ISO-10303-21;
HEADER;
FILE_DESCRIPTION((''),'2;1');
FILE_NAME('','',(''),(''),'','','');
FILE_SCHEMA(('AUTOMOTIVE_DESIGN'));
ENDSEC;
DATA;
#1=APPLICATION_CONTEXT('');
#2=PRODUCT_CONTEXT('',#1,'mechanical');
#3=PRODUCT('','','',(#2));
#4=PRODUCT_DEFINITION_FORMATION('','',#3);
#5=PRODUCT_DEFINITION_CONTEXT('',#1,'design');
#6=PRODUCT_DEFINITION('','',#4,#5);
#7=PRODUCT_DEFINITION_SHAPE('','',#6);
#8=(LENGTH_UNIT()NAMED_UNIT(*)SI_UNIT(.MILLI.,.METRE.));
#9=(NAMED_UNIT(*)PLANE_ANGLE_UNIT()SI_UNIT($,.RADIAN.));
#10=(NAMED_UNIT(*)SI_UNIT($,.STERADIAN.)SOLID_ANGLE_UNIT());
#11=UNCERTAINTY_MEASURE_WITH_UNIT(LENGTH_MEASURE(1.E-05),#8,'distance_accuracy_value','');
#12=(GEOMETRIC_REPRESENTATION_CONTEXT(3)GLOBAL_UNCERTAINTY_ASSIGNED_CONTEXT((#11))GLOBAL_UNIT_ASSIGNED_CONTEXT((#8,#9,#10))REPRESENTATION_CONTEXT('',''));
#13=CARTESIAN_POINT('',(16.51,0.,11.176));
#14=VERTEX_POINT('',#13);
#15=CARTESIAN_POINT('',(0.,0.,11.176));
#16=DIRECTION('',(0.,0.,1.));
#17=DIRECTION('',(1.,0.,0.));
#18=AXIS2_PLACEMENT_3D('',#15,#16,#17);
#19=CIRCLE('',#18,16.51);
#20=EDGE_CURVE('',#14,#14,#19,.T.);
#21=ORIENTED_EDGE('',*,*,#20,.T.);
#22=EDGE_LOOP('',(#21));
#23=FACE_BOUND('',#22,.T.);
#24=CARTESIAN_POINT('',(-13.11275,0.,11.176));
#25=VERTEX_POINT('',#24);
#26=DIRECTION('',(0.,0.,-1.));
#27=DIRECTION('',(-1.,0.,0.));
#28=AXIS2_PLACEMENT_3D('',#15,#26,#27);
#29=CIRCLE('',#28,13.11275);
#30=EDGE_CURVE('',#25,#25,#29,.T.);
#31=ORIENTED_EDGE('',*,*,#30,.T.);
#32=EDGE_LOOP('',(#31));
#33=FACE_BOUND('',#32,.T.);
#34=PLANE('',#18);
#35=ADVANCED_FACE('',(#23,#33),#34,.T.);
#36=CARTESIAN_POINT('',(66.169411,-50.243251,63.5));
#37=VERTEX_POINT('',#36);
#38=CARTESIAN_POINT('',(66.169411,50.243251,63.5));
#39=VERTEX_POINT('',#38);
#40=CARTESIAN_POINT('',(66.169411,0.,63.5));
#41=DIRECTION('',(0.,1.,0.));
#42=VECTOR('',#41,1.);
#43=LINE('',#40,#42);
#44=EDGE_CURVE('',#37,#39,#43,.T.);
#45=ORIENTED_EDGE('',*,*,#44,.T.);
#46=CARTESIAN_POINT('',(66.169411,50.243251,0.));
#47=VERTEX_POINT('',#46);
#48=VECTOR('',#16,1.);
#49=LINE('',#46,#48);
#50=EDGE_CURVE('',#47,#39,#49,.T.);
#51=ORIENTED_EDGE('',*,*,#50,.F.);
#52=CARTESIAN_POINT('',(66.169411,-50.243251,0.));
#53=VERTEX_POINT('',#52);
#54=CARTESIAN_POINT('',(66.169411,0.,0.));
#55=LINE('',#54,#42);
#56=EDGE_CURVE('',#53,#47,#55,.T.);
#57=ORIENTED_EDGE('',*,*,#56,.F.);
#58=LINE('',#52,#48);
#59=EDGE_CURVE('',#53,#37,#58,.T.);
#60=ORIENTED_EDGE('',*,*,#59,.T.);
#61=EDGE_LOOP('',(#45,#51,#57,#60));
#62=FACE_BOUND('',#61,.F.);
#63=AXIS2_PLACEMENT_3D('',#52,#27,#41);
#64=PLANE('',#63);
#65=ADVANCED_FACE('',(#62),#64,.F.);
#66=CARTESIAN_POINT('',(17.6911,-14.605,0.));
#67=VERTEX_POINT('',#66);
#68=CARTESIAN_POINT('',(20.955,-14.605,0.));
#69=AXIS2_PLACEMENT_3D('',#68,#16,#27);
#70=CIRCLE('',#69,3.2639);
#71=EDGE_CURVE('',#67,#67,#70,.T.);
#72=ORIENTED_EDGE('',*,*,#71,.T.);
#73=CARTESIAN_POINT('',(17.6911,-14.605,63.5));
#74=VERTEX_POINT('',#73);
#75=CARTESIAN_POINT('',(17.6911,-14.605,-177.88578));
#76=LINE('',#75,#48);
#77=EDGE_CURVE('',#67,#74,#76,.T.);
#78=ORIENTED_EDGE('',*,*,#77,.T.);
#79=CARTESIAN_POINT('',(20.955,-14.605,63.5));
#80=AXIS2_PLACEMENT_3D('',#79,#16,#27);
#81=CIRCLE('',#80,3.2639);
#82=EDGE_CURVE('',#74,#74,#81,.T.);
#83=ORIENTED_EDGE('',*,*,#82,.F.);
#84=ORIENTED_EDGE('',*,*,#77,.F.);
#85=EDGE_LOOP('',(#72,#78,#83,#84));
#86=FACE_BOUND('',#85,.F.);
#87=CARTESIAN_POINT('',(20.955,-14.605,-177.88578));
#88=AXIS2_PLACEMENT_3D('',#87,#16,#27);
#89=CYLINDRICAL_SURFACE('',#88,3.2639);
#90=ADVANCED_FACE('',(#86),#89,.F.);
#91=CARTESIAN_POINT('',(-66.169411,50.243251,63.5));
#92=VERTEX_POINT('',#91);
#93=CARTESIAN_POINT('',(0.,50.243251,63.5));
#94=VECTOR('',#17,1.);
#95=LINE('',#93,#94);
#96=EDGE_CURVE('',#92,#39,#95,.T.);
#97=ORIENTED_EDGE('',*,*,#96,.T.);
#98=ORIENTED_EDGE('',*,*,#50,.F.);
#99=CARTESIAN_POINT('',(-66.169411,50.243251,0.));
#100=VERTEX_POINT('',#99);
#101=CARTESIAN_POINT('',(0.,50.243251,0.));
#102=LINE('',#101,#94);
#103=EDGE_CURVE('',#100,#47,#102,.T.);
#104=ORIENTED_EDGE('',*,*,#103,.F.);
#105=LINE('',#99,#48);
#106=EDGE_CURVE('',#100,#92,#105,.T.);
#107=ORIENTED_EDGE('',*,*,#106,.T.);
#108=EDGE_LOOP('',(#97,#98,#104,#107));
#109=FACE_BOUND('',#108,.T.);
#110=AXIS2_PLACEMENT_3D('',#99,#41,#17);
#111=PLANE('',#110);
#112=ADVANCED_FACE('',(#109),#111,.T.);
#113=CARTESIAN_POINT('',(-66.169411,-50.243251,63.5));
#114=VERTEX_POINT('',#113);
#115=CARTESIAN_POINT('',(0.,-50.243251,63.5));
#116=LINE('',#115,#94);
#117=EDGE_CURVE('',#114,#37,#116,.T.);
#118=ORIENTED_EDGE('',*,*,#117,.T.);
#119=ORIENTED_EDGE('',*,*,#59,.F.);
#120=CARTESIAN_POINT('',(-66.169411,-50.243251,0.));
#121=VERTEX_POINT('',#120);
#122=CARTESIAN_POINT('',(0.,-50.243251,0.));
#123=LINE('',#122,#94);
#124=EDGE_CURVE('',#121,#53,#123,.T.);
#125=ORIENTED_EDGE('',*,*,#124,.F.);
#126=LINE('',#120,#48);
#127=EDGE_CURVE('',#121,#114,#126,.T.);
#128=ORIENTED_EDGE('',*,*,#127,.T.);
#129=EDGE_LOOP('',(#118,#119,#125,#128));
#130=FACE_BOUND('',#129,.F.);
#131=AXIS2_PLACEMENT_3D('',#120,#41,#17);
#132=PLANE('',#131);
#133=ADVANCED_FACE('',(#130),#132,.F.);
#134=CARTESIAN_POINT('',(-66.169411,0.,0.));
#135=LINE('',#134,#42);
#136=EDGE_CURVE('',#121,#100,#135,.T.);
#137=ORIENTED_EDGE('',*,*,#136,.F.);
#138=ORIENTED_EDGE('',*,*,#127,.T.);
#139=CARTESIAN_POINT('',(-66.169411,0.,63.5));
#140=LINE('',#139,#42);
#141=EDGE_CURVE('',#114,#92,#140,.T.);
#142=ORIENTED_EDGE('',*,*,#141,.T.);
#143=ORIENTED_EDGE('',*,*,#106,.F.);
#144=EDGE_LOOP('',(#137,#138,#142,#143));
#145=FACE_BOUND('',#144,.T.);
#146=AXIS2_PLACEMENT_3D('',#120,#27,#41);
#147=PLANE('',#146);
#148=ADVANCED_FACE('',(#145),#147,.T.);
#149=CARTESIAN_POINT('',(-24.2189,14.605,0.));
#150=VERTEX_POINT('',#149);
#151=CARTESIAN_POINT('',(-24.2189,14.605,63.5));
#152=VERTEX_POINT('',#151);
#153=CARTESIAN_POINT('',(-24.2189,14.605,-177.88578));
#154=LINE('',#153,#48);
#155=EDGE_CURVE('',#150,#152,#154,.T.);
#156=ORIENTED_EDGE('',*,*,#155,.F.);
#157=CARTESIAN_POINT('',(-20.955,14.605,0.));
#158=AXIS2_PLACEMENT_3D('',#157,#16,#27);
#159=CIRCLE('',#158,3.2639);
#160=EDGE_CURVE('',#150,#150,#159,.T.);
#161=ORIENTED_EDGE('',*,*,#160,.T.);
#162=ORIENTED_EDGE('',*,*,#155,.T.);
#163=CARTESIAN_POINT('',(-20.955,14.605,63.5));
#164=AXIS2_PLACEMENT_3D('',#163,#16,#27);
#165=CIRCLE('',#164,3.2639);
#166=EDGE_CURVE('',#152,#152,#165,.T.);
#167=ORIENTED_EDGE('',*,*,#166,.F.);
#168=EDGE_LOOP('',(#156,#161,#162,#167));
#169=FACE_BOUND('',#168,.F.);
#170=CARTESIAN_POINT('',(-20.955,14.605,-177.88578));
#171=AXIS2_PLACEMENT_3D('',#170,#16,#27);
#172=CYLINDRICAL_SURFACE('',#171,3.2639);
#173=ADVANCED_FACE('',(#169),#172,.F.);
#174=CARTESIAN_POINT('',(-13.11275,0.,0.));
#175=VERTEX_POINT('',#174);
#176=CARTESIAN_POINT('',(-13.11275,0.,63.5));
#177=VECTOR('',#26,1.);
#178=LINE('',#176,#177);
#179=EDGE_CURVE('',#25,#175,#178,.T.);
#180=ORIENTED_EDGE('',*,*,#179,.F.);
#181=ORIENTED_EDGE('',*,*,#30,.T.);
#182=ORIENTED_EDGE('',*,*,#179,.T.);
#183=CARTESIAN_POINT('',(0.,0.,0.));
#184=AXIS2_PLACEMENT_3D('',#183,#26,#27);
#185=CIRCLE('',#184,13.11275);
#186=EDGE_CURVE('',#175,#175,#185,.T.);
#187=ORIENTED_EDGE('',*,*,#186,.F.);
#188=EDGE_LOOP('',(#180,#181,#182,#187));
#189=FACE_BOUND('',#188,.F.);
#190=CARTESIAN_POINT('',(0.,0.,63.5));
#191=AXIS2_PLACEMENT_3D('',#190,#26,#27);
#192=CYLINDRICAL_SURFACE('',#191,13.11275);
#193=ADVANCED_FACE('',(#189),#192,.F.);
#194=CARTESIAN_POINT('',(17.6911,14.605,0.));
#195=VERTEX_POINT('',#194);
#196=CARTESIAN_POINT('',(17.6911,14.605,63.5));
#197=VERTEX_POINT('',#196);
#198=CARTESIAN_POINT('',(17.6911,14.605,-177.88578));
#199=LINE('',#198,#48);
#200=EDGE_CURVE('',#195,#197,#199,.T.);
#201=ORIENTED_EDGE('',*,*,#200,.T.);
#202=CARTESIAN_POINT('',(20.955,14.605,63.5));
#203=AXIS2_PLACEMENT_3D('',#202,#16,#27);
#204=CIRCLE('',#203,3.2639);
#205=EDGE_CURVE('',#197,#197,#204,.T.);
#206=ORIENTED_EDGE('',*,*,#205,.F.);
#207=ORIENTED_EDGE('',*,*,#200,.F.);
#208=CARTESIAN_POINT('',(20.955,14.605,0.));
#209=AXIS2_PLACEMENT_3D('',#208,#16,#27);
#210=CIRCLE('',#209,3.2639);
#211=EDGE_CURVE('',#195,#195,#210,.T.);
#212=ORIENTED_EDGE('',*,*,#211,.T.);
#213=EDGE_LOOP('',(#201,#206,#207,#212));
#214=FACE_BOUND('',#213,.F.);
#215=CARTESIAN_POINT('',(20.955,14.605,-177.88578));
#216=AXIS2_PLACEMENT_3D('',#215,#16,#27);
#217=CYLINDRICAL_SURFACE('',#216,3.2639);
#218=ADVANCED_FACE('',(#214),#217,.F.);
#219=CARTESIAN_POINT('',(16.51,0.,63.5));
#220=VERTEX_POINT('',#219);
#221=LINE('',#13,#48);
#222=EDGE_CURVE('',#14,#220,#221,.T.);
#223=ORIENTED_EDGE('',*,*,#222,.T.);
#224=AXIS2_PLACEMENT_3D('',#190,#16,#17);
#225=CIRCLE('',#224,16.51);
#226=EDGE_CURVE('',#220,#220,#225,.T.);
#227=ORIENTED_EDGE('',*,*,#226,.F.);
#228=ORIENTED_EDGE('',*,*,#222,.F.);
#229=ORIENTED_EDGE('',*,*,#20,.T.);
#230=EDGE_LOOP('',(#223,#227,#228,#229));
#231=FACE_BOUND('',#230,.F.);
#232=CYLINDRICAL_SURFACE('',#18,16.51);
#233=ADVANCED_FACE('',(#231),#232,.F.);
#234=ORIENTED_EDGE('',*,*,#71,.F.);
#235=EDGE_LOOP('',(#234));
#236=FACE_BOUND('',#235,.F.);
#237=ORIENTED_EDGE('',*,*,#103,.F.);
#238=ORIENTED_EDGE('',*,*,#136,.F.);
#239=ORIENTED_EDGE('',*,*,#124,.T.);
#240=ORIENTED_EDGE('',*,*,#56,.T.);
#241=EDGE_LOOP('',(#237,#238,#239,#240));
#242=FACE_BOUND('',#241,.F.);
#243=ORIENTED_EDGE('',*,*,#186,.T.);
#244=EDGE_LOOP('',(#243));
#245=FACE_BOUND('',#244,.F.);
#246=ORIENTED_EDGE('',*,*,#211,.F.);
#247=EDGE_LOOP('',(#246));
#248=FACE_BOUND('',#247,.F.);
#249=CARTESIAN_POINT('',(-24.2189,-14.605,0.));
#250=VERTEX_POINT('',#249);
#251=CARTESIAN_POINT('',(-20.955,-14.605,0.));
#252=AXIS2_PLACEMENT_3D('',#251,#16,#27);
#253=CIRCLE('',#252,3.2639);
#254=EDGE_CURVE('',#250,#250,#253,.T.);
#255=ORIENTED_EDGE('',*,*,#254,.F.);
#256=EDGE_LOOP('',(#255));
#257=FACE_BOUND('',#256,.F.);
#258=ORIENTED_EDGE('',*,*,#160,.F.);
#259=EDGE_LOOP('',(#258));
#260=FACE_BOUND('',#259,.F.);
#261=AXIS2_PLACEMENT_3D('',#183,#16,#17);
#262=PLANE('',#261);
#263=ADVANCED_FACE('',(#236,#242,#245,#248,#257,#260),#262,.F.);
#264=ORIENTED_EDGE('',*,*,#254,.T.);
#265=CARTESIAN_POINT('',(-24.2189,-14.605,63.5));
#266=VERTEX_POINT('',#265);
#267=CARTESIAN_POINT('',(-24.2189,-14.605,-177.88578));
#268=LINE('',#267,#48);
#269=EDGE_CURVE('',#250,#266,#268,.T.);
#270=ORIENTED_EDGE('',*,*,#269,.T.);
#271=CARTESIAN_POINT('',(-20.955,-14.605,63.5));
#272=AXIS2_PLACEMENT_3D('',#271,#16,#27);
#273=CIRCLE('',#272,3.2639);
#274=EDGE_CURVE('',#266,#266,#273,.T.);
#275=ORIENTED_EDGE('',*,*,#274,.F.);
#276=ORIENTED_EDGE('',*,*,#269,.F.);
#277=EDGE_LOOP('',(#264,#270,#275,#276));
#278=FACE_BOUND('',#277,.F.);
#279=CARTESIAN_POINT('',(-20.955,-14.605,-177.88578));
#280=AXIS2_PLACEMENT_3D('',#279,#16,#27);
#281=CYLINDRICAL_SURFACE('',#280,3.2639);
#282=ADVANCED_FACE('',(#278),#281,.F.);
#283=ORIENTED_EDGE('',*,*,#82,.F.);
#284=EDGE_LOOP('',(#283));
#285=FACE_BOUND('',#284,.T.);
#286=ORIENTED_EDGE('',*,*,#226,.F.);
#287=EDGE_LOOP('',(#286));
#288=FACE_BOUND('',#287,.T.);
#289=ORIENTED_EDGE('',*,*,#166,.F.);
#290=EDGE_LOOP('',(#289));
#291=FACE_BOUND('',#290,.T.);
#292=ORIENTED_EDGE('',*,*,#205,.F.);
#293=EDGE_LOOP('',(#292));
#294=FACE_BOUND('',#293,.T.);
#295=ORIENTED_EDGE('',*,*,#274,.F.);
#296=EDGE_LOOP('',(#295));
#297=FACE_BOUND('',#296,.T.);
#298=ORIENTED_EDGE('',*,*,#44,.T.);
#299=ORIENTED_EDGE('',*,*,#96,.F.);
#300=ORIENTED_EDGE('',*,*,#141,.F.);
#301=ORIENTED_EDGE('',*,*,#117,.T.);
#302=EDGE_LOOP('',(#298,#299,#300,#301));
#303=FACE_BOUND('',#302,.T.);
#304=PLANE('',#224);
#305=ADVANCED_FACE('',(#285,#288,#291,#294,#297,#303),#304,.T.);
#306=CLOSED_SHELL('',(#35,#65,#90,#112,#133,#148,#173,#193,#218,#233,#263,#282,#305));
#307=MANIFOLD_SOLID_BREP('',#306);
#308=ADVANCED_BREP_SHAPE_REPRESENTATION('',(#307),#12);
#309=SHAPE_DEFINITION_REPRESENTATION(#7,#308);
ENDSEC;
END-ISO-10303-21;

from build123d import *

# Parameters (mm, degrees)
F0_W           = 132.338822
F0_H           = 100.486502
F1_DEPTH       = 63.5
F3_D           = 26.2255
F3_CBORE_D     = 33.02
F3_CBORE_DEPTH = 52.324
F5_D           = 6.5278


with BuildPart() as f1:
    # F0 (on Top) → F1 (new body)
    with BuildSketch(Plane.XY):
        Rectangle(F0_W, F0_H)
    extrude(amount=F1_DEPTH)

    # F3 (through all)
    with Locations(Plane.XY.offset(63.5)):
        with Locations((0, 0)):
            CounterBoreHole(F3_D / 2, F3_CBORE_D / 2, F3_CBORE_DEPTH)

    # F5 (through all)
    with Locations(Plane(origin=(0, 0, 0), x_dir=(1, 0, 0), z_dir=(0, 0, -1))):
        with Locations((-20.955, 14.605), (-20.955, -14.605), (20.955, -14.605), (20.955, 14.605)):
            Hole(F5_D / 2)


solid = f1.part
